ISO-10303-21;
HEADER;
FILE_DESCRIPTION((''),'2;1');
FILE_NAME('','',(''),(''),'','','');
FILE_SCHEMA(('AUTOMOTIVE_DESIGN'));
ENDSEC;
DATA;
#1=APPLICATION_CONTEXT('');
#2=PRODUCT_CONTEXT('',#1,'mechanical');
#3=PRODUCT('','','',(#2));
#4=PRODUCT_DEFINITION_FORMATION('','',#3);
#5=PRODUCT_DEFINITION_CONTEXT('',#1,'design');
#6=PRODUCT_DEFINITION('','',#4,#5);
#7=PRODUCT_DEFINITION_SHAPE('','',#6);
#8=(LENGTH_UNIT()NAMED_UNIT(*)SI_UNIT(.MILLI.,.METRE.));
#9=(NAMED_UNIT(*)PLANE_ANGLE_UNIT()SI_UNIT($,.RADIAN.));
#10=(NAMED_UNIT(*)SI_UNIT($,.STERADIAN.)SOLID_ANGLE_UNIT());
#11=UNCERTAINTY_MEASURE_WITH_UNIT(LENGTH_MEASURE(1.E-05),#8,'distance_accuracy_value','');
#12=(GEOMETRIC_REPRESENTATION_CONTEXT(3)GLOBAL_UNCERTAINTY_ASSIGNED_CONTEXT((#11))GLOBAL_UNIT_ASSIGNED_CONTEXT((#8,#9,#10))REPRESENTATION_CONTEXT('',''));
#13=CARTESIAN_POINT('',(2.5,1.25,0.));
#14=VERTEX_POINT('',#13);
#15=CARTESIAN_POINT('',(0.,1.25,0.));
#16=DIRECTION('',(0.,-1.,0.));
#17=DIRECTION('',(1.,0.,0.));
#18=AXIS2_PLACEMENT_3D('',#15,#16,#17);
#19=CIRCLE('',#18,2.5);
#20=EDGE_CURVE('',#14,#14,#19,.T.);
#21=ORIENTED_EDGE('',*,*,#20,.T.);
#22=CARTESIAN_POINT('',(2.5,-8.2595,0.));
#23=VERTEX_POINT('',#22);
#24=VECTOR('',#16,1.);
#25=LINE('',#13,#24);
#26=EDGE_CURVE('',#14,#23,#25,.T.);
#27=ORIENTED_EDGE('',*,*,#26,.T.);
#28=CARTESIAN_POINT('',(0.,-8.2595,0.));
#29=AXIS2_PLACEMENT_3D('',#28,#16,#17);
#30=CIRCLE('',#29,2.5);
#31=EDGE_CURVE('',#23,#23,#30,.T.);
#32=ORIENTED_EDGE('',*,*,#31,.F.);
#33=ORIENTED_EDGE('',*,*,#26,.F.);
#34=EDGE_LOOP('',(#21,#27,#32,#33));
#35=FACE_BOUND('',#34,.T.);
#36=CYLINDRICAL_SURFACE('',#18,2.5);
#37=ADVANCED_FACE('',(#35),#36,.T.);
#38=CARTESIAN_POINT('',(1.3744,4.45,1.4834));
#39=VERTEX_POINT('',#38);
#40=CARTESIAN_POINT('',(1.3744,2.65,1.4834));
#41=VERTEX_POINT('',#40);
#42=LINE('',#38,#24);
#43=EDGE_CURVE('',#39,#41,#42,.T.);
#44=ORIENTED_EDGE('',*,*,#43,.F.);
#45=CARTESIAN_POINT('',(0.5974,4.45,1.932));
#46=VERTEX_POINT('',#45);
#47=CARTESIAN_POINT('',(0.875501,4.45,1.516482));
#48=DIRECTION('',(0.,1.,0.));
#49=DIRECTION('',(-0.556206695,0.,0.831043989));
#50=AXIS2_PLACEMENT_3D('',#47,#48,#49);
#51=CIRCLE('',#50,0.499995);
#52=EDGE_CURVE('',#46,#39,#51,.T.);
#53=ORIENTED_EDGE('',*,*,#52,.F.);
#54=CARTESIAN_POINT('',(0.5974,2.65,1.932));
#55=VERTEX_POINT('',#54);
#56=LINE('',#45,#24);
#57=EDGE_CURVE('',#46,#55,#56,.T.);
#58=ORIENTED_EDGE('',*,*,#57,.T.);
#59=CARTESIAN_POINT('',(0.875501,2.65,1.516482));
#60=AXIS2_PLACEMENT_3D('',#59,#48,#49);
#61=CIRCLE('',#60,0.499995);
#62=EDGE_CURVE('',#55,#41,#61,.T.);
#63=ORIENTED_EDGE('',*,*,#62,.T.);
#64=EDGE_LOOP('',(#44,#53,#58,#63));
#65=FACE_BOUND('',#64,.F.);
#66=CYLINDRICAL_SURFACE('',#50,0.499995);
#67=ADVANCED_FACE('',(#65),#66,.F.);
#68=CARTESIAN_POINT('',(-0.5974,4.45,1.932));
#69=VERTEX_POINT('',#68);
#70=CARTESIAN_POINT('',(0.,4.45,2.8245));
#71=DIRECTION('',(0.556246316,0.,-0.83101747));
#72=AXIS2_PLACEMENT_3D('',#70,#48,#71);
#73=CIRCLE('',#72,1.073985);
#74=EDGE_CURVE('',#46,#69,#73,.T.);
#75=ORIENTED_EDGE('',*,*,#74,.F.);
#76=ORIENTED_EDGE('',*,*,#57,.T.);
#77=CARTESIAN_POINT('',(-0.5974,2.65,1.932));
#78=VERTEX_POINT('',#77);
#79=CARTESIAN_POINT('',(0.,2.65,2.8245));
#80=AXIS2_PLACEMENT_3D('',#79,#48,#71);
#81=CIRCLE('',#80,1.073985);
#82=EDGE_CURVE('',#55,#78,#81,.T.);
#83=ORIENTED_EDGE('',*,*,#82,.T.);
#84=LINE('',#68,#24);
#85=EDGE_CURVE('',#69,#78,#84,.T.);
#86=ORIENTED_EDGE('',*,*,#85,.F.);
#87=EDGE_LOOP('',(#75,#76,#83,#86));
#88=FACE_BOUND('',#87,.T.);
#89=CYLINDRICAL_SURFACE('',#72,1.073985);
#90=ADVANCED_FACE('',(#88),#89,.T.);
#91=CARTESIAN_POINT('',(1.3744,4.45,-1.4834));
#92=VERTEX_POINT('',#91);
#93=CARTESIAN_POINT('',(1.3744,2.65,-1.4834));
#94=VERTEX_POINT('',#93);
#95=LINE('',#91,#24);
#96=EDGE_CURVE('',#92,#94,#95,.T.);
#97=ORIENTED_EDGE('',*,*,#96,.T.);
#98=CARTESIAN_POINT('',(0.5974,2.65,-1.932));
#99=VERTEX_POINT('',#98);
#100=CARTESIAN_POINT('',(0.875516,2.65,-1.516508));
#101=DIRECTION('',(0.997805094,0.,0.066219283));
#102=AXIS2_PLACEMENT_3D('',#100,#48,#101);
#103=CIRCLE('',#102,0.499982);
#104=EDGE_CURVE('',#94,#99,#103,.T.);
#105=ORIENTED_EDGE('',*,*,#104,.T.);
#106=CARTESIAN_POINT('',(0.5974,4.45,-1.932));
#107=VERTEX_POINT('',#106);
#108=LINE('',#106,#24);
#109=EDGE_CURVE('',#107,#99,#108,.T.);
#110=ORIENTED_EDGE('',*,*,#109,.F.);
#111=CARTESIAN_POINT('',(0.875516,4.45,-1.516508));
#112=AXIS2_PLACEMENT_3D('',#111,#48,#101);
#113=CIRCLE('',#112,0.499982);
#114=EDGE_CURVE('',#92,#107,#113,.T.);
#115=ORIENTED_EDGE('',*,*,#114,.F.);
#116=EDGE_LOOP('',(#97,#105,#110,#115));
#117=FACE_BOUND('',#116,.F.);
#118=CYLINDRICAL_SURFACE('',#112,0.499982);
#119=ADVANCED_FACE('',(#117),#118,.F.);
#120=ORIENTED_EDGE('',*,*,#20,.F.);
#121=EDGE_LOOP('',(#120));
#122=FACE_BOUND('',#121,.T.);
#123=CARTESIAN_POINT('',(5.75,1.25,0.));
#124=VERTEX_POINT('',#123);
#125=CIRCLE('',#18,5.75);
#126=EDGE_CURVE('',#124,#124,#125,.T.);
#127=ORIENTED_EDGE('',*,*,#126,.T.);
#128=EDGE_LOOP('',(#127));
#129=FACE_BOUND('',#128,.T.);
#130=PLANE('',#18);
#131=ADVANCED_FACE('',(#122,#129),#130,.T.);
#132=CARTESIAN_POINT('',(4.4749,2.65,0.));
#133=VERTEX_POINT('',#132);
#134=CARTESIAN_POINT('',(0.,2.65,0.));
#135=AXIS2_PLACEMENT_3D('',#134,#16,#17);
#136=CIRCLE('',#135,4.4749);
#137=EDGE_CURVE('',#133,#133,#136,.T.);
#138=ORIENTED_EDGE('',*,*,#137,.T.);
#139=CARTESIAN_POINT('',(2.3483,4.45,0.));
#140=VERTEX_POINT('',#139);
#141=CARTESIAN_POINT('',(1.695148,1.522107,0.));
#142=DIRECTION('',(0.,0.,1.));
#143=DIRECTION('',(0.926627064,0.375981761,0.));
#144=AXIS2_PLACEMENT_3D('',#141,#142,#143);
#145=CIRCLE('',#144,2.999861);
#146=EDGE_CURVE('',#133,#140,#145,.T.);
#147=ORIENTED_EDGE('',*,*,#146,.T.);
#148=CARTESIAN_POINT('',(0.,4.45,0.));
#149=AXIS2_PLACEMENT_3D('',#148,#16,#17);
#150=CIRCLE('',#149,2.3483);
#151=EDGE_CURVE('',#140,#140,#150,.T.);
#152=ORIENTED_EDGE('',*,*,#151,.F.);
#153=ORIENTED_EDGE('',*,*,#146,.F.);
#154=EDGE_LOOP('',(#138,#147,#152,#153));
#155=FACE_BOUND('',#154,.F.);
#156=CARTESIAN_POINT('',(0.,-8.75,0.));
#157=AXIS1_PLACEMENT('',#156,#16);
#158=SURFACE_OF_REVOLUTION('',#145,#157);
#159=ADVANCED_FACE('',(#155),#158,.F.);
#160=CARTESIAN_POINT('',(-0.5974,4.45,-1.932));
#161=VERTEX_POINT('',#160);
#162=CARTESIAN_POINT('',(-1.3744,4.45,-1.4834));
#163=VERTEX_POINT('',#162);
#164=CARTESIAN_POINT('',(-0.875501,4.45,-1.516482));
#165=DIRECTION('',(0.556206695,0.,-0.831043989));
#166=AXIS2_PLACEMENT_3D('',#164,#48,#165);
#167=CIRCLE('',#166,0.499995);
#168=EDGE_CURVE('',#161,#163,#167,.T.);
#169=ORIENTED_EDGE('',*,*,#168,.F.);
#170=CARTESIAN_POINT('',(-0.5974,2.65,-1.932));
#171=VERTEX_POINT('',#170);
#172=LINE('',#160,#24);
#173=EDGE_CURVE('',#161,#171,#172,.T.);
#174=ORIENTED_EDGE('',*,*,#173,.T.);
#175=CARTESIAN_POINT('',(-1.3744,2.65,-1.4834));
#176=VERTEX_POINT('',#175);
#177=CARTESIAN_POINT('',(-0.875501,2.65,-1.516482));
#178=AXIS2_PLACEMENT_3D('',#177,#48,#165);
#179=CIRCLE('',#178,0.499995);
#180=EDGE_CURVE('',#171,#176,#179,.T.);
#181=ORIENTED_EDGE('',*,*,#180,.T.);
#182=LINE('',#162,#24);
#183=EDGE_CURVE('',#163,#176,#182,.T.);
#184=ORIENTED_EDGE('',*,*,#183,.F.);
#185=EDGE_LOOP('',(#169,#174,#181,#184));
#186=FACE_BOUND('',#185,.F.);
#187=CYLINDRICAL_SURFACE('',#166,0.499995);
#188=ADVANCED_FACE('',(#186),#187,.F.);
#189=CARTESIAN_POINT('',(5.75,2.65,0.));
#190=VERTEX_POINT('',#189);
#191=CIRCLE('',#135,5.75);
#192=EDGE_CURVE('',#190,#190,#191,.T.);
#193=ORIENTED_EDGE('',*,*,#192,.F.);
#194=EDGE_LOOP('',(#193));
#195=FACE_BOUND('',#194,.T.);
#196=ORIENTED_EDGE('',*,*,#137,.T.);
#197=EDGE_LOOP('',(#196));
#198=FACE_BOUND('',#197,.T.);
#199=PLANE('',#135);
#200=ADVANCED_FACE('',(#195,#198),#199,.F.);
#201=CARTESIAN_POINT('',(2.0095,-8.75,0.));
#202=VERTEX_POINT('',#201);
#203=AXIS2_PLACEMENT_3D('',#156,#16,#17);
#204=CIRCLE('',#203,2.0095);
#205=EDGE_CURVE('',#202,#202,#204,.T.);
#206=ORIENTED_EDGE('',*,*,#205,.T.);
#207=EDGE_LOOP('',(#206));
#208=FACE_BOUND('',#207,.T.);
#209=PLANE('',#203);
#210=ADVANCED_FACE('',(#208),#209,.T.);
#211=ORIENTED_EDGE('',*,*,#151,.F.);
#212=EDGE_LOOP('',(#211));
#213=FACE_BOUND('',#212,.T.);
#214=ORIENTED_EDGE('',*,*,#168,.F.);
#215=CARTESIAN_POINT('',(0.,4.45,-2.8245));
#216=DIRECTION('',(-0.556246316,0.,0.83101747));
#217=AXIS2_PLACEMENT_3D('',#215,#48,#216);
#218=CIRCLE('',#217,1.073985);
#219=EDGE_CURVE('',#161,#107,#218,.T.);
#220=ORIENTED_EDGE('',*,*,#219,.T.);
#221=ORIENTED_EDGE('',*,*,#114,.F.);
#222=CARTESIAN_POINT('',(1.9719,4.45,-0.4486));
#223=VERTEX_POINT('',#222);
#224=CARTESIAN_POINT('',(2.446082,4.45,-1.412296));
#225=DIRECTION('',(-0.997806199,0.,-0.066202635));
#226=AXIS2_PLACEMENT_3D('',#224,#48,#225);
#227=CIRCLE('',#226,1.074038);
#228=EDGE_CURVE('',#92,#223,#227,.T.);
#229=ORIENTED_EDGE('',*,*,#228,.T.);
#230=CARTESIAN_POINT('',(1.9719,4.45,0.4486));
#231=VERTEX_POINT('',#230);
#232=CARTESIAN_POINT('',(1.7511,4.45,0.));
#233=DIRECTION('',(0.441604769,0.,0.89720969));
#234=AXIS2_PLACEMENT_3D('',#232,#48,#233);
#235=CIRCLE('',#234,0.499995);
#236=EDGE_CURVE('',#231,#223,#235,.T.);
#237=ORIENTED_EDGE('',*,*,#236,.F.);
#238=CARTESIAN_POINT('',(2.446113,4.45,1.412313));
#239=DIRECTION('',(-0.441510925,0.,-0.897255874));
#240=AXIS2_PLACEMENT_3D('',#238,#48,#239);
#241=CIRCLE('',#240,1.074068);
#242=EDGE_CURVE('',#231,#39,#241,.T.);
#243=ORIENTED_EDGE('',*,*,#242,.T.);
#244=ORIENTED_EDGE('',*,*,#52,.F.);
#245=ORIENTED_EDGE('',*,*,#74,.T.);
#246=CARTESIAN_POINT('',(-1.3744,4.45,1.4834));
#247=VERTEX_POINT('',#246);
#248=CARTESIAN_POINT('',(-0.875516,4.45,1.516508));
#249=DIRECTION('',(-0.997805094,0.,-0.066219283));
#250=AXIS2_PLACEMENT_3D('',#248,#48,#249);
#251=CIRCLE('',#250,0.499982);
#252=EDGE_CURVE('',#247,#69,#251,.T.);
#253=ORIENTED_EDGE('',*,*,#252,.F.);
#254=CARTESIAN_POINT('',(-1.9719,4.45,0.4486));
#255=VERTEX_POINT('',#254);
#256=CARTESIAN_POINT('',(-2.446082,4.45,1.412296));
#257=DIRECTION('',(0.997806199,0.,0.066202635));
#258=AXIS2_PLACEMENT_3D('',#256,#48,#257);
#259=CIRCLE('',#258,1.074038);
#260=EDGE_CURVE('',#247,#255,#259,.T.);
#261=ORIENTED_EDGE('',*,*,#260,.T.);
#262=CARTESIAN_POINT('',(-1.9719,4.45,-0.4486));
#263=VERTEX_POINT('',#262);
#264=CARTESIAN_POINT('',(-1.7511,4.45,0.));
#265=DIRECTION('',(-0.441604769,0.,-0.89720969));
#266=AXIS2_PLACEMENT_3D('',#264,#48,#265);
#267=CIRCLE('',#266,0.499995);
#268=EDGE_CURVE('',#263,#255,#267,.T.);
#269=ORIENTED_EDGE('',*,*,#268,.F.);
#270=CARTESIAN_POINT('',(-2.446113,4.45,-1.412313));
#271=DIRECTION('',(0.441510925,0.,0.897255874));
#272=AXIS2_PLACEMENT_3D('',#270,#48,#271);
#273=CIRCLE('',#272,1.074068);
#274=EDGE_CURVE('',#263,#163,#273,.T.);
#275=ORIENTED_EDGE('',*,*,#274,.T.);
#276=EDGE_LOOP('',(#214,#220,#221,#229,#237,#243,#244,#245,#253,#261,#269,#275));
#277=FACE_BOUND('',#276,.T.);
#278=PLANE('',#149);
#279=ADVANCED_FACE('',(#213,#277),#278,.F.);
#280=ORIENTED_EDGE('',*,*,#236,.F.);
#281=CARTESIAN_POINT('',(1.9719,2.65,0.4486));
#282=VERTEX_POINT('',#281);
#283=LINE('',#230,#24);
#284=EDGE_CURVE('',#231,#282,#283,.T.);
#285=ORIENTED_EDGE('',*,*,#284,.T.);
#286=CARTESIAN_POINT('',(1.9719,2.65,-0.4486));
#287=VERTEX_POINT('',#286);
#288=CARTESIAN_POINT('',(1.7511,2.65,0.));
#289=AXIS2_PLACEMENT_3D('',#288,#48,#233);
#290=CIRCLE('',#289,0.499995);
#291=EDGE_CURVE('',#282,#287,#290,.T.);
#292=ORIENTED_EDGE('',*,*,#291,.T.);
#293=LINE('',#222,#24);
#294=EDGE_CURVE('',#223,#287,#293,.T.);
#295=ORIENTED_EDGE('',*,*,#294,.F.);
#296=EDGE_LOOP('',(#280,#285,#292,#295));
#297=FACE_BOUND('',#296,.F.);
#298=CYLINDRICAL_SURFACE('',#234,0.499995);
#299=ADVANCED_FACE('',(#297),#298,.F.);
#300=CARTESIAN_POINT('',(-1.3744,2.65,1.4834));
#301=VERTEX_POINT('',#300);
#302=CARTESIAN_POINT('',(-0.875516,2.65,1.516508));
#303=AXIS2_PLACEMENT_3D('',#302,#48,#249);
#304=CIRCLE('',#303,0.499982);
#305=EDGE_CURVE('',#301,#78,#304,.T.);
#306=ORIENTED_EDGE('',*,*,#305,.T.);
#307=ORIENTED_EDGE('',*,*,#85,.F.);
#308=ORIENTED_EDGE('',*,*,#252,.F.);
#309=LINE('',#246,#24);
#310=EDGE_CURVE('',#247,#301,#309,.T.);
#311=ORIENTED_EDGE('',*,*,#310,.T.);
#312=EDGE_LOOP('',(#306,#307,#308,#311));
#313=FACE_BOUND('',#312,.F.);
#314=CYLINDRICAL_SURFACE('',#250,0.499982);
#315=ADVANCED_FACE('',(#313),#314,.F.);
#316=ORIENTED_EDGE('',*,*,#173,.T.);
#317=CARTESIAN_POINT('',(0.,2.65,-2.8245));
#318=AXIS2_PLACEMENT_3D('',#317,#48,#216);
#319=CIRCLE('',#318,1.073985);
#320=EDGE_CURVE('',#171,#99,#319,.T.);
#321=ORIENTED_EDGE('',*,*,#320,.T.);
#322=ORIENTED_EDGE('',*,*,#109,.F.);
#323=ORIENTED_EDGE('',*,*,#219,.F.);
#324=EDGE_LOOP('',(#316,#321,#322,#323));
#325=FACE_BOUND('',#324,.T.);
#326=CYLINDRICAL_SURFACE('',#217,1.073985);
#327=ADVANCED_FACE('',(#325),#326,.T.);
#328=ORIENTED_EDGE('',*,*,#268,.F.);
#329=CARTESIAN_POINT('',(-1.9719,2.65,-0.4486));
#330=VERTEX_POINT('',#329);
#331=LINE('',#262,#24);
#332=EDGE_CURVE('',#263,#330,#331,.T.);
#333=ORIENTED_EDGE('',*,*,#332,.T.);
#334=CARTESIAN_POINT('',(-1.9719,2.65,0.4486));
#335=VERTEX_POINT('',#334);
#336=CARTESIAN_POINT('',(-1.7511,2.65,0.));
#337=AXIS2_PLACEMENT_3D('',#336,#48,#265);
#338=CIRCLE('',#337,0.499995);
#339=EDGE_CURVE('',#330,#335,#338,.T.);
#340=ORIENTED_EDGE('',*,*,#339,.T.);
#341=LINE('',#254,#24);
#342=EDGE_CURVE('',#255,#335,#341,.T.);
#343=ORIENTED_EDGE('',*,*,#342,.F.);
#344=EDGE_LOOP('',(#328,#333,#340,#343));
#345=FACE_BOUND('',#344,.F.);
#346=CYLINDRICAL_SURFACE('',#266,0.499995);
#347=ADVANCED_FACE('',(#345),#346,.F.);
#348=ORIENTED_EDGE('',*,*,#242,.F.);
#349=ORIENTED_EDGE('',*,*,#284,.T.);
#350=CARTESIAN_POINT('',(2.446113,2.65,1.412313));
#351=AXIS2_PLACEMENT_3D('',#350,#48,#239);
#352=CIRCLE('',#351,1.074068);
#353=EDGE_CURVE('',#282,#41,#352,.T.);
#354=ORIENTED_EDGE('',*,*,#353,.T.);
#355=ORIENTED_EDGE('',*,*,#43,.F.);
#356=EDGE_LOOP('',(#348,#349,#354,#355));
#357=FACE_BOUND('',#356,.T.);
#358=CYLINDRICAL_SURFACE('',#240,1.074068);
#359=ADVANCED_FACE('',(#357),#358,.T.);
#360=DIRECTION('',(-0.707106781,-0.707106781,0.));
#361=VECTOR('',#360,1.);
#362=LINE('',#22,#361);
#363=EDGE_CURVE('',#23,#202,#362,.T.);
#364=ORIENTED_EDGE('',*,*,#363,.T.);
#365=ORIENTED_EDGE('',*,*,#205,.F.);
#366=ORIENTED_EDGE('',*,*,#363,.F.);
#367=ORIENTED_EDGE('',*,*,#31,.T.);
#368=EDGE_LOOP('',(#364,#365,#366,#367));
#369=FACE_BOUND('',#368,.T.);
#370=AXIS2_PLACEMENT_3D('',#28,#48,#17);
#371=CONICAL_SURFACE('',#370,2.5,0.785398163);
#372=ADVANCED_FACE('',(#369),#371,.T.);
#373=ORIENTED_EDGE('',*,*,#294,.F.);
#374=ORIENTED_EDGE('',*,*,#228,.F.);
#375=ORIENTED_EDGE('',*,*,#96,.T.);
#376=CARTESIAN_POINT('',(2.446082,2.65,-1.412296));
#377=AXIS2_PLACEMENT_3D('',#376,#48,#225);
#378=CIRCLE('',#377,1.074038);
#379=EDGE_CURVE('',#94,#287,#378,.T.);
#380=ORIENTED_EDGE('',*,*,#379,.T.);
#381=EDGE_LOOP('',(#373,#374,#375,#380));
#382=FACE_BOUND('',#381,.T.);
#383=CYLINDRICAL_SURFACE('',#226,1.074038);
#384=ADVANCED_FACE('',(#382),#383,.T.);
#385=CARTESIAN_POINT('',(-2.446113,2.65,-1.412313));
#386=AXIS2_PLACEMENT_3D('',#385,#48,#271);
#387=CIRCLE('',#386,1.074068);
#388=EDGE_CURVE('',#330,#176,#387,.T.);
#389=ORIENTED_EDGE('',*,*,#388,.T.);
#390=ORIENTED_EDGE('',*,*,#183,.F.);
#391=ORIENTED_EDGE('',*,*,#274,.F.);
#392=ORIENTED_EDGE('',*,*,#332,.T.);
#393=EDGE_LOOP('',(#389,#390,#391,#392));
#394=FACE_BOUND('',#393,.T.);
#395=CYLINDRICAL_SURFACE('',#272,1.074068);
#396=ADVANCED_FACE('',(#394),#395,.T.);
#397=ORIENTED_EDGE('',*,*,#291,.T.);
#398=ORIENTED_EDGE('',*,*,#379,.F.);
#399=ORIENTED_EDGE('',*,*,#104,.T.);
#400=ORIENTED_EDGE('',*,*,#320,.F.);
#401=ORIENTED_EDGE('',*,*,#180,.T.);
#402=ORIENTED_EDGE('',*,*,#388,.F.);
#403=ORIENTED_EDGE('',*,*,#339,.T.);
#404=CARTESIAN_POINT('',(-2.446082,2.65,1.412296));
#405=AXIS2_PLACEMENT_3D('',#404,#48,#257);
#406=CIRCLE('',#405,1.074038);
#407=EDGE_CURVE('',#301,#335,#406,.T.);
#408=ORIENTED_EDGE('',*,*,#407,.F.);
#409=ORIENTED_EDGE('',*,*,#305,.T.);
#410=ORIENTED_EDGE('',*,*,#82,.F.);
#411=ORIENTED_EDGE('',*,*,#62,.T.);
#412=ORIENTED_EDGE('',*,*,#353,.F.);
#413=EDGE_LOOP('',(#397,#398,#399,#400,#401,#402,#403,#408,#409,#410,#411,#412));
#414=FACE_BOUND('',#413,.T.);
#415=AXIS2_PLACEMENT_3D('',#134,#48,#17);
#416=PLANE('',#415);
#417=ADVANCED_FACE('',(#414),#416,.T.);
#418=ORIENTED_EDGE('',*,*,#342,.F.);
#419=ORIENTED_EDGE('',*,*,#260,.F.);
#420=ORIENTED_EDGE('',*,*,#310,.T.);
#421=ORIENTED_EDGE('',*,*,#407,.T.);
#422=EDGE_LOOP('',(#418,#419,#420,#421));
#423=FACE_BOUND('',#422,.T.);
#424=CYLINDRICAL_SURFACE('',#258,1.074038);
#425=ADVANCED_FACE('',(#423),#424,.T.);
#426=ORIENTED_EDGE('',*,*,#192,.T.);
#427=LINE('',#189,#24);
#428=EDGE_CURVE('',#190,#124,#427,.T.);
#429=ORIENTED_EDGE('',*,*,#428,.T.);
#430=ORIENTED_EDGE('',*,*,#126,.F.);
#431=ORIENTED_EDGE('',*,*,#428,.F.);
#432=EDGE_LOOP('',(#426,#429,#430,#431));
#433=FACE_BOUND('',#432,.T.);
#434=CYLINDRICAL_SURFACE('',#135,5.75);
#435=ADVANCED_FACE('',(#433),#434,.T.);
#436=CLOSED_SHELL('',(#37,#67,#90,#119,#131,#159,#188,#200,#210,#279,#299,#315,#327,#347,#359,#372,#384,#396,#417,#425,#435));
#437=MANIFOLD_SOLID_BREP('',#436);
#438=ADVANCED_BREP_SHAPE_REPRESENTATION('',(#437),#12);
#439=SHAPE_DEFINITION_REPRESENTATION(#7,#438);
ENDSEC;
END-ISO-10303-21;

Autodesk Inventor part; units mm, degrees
sketch "Sketch_3" plane through (0, 0, 0) normal (0, 0, 1) x (1, 0, 0)
  line L0 (0, -8.75) -> (0, 4.45)
  line L1 (0, 4.45) -> (2.3483, 4.45)
  arc A0 (4.4749, 2.65) -> (2.3483, 4.45) centre (1.695, 1.522) ccw
  line L2 (4.4749, 2.65) -> (5.75, 2.65)
  line L3 (5.75, 2.65) -> (5.75, 1.25)
  line L4 (5.75, 1.25) -> (2.5, 1.25)
  line L5 (2.5, 1.25) -> (2.5, -8.2595)
  line L6 (2.5, -8.2595) -> (2.0095, -8.75)
  line L7 (2.0095, -8.75) -> (0, -8.75)
  line L8 (0, -8.75) -> (0, 4.45)
revolve "Revolution1" add sketch "Sketch_3" angle 360 about axis through (0, -8.75, 0) along (0, -1, 0)
thread "Thread1" size "M5x0.8" class "6g" standard "ISO Metric profile" length 8.2595
sketch "Sketch_1" plane through (0, 4.45, 0) normal (0, 1, 0) x (1, 0, 0)
  arc A0 (-1.9719, 0.4486) -> (-1.9719, -0.4486) centre (-1.7511, 0) ccw
  arc A1 (-1.3744, -1.4834) -> (-1.9719, -0.4486) centre (-2.4461, -1.4123) ccw
  arc A2 (-1.3744, -1.4834) -> (-0.5974, -1.932) centre (-0.8755, -1.5165) ccw
  arc A3 (0.5974, -1.932) -> (-0.5974, -1.932) centre (0, -2.8245) ccw
  arc A4 (0.5974, -1.932) -> (1.3744, -1.4834) centre (0.8755, -1.5165) ccw
  arc A5 (1.9719, -0.4486) -> (1.3744, -1.4834) centre (2.4461, -1.4123) ccw
  arc A6 (1.9719, -0.4486) -> (1.9719, 0.4486) centre (1.7511, 0) ccw
  arc A7 (1.3744, 1.4834) -> (1.9719, 0.4486) centre (2.4461, 1.4123) ccw
  arc A8 (1.3744, 1.4834) -> (0.5974, 1.932) centre (0.8755, 1.5165) ccw
  arc A9 (-0.5974, 1.932) -> (0.5974, 1.932) centre (0, 2.8245) ccw
  arc A10 (-0.5974, 1.932) -> (-1.3744, 1.4834) centre (-0.8755, 1.5165) ccw
  arc A11 (-1.9719, 0.4486) -> (-1.3744, 1.4834) centre (-2.4461, 1.4123) ccw
extrude "Extrusion1" cut sketch "Sketch_1" against normal blind 1.8
ref_plane "Bolt_XY" through (0, 1.25, 0) normal (0, 1, 0) x (1, 0, 0)
ref_plane "Bolt_YZ" through (0, 1.25, 0) normal (1, 0, 0) x (0, 0, -1)
ref_plane "Bolt_ZX" through (0, 1.25, 0) normal (0, 0, -1) x (0, 1, 0)
properties part number "0000-00082819_P2"
